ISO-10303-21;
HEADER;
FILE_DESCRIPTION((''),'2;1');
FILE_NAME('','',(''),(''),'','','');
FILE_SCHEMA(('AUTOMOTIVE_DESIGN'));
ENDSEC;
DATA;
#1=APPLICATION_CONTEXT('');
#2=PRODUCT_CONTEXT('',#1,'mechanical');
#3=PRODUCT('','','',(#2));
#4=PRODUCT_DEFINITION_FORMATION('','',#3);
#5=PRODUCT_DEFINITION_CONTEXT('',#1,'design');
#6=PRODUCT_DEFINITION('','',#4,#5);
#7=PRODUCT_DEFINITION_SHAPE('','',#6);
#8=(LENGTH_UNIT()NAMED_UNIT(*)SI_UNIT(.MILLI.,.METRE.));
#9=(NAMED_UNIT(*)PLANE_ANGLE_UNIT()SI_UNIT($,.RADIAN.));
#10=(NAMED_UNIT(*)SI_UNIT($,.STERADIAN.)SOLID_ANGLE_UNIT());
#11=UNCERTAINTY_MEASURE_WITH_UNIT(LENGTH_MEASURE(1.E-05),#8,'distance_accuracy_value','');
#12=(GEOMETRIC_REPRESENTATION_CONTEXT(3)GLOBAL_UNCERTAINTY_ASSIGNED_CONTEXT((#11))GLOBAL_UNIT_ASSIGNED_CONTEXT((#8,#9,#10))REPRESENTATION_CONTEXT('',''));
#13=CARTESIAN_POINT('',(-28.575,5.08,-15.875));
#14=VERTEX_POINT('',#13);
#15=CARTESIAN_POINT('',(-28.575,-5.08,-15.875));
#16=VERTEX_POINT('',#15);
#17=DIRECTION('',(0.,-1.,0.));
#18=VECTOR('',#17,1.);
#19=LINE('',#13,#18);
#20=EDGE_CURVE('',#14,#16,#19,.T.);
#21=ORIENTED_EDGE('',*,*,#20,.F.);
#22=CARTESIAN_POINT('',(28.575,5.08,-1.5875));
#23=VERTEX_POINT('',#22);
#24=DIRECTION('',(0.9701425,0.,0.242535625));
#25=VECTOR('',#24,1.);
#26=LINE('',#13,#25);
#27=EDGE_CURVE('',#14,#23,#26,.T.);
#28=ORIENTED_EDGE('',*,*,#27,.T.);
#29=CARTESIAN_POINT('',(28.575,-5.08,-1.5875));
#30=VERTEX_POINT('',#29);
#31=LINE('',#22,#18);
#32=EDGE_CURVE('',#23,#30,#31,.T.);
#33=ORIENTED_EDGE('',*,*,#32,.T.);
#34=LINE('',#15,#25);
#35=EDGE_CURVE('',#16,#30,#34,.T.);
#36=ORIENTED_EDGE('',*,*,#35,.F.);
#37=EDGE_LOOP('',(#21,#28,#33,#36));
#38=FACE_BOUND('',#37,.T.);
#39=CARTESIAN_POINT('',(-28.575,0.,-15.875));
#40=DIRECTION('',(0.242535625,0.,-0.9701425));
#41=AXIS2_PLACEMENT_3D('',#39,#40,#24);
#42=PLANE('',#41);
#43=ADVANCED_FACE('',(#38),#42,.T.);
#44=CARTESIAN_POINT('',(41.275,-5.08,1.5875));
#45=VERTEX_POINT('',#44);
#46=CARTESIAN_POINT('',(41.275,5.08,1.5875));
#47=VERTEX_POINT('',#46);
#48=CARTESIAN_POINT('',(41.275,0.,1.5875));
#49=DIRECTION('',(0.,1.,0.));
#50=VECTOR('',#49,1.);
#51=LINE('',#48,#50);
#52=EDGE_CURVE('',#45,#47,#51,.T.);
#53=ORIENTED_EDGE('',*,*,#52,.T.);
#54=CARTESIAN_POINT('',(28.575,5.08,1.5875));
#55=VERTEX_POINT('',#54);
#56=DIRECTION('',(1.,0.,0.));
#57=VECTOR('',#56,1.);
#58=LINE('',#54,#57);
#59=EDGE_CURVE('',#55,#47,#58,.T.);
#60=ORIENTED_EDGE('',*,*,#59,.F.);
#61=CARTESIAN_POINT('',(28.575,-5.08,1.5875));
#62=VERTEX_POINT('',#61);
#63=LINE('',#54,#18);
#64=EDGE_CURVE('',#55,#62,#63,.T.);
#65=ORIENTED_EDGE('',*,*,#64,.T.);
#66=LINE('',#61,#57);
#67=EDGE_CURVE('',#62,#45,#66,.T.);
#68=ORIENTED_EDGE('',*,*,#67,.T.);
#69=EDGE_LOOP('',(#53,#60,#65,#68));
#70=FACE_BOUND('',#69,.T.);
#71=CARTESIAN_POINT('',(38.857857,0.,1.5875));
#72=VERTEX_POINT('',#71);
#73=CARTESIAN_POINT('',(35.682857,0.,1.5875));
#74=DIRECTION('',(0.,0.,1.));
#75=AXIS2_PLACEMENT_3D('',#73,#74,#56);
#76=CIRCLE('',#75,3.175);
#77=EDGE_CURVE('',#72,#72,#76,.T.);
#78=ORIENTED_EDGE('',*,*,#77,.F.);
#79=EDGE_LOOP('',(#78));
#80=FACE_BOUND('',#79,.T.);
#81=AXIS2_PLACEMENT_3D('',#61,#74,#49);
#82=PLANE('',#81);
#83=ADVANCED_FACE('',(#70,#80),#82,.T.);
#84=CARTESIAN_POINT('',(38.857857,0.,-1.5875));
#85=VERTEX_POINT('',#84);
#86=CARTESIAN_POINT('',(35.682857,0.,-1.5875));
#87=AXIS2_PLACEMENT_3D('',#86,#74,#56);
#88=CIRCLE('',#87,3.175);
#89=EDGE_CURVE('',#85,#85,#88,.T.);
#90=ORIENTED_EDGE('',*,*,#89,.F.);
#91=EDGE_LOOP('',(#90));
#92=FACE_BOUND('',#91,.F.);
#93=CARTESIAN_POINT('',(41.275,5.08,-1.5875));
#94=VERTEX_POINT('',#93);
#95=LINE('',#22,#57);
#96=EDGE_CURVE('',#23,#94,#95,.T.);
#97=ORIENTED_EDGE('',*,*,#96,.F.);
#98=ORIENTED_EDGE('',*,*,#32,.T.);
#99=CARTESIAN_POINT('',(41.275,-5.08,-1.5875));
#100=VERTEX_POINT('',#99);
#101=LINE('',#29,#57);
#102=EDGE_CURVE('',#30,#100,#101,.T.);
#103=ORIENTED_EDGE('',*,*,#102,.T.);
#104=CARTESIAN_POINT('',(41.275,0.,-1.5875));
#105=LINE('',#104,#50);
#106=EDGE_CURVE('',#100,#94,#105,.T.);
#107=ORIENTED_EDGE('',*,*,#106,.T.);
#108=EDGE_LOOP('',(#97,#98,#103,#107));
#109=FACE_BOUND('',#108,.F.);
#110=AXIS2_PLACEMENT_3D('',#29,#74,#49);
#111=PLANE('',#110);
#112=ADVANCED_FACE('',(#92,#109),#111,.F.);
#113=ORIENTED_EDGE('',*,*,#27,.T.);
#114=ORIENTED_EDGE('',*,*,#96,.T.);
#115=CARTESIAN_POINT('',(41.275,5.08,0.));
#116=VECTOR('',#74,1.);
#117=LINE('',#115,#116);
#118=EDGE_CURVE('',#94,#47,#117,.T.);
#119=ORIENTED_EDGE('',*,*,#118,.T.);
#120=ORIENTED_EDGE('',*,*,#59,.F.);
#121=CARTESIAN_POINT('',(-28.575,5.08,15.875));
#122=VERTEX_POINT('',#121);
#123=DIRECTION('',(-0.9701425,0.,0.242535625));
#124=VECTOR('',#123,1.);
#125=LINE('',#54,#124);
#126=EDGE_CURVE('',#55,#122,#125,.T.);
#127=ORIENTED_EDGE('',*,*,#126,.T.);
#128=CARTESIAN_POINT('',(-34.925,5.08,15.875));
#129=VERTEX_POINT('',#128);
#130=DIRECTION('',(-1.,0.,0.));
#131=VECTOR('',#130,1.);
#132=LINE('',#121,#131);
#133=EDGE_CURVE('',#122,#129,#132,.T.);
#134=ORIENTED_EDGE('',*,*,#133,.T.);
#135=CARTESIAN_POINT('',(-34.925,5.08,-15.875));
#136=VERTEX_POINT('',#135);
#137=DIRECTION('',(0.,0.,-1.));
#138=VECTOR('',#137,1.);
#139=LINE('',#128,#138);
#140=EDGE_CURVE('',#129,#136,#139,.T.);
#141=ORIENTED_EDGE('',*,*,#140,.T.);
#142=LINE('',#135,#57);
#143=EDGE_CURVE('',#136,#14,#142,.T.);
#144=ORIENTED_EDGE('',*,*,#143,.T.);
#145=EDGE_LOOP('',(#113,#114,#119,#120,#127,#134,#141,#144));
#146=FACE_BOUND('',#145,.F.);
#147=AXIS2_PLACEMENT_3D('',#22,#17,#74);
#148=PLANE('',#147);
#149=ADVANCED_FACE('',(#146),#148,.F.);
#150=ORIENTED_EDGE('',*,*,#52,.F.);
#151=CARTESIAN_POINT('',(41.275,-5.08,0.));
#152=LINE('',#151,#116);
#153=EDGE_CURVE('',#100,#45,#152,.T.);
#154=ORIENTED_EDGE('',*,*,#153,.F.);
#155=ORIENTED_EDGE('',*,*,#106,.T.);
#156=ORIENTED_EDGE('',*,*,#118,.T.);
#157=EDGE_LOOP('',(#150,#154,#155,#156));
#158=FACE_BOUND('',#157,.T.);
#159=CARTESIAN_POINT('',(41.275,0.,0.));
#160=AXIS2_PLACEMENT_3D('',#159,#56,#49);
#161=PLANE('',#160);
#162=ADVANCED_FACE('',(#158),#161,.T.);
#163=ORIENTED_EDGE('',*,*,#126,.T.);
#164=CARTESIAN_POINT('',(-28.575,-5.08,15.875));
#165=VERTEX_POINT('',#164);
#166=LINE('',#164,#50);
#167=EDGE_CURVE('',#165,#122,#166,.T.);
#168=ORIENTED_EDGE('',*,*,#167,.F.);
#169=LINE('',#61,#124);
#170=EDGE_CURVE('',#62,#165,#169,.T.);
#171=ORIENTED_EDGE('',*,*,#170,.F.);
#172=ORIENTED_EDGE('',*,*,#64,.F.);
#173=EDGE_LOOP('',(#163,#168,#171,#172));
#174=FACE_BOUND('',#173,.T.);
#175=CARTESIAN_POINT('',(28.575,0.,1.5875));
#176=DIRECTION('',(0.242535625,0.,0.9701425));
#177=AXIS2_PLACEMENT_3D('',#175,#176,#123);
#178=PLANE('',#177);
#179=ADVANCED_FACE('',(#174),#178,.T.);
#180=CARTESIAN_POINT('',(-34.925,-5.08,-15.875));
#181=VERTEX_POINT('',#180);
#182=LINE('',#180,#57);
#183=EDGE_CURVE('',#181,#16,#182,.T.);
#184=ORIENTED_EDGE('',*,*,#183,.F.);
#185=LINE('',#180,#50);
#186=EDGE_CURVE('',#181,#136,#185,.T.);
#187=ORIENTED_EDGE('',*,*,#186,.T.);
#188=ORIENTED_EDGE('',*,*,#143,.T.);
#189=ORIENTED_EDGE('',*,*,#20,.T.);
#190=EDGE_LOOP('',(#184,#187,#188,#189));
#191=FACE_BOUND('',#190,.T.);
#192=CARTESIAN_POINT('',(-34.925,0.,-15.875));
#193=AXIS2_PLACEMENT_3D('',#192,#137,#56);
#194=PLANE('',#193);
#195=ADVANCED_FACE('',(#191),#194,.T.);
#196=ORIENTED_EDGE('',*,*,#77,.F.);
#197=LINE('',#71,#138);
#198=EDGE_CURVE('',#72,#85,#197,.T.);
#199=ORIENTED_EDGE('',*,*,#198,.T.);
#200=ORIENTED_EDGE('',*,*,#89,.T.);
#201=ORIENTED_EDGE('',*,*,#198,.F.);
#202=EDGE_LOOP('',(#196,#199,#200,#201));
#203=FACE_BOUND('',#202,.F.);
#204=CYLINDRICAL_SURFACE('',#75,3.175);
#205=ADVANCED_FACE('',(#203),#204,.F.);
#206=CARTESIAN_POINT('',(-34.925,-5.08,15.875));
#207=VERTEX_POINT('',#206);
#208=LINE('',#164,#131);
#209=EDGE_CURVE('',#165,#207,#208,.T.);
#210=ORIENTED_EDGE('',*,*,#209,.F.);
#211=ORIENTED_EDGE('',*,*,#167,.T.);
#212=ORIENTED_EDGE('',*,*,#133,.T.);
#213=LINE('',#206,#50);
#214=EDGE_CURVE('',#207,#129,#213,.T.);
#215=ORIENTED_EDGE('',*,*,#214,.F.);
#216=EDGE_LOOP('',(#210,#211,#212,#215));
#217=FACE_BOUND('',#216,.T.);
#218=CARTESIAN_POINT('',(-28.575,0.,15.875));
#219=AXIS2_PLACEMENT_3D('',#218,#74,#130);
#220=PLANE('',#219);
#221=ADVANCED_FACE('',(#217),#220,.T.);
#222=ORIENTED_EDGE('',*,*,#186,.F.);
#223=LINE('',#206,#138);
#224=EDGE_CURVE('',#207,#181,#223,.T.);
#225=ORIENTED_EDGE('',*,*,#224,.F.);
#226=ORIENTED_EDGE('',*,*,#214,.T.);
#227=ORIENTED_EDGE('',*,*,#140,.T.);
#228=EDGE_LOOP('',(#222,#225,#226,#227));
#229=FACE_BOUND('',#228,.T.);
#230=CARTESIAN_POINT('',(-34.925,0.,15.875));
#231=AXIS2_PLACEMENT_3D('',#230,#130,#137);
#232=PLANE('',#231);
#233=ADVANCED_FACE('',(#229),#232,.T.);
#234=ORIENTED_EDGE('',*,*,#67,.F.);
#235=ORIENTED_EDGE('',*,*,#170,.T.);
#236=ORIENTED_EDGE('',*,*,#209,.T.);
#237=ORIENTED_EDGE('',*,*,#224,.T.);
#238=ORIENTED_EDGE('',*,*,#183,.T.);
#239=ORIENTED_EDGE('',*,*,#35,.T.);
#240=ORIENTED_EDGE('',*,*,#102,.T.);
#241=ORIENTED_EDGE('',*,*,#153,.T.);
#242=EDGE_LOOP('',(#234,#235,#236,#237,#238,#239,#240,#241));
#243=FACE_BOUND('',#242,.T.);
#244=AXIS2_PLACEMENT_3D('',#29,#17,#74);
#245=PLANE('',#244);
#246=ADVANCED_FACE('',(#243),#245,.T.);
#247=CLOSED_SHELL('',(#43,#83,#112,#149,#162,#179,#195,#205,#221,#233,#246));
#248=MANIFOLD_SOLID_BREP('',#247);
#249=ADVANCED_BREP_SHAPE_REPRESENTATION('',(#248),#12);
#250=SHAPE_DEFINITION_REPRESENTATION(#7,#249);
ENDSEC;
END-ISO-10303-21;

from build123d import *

# Parameters (mm, degrees)
F1_DEPTH = 5.08
F2_W     = 10.16
F2_H     = 3.175
F3_DEPTH = 12.7
F4_R     = 3.175
F5_DEPTH = 25.4


with BuildPart() as f1:
    # F0 (on Front) → F1 (new body, symmetric)
    with BuildSketch(Plane.XZ):
        Polygon((-34.925, -15.875), (-28.575, -15.875), (28.575, -1.5875), (28.575, 1.5875), (-28.575, 15.875), (-34.925, 15.875), align=None)
    extrude(amount=F1_DEPTH, both=True)

    # F2 (on face) → F3 (join)
    with BuildSketch(Plane.YZ.offset(28.575)):
        Rectangle(F2_W, F2_H)
    extrude(amount=F3_DEPTH)

    # F4 (on face) → F5 (cut)
    with BuildSketch(Plane.XY.offset(1.5875)):
        with Locations((35.682857, 0)):
            Circle(F4_R)
    extrude(amount=-F5_DEPTH, mode=Mode.SUBTRACT)


solid = f1.part
